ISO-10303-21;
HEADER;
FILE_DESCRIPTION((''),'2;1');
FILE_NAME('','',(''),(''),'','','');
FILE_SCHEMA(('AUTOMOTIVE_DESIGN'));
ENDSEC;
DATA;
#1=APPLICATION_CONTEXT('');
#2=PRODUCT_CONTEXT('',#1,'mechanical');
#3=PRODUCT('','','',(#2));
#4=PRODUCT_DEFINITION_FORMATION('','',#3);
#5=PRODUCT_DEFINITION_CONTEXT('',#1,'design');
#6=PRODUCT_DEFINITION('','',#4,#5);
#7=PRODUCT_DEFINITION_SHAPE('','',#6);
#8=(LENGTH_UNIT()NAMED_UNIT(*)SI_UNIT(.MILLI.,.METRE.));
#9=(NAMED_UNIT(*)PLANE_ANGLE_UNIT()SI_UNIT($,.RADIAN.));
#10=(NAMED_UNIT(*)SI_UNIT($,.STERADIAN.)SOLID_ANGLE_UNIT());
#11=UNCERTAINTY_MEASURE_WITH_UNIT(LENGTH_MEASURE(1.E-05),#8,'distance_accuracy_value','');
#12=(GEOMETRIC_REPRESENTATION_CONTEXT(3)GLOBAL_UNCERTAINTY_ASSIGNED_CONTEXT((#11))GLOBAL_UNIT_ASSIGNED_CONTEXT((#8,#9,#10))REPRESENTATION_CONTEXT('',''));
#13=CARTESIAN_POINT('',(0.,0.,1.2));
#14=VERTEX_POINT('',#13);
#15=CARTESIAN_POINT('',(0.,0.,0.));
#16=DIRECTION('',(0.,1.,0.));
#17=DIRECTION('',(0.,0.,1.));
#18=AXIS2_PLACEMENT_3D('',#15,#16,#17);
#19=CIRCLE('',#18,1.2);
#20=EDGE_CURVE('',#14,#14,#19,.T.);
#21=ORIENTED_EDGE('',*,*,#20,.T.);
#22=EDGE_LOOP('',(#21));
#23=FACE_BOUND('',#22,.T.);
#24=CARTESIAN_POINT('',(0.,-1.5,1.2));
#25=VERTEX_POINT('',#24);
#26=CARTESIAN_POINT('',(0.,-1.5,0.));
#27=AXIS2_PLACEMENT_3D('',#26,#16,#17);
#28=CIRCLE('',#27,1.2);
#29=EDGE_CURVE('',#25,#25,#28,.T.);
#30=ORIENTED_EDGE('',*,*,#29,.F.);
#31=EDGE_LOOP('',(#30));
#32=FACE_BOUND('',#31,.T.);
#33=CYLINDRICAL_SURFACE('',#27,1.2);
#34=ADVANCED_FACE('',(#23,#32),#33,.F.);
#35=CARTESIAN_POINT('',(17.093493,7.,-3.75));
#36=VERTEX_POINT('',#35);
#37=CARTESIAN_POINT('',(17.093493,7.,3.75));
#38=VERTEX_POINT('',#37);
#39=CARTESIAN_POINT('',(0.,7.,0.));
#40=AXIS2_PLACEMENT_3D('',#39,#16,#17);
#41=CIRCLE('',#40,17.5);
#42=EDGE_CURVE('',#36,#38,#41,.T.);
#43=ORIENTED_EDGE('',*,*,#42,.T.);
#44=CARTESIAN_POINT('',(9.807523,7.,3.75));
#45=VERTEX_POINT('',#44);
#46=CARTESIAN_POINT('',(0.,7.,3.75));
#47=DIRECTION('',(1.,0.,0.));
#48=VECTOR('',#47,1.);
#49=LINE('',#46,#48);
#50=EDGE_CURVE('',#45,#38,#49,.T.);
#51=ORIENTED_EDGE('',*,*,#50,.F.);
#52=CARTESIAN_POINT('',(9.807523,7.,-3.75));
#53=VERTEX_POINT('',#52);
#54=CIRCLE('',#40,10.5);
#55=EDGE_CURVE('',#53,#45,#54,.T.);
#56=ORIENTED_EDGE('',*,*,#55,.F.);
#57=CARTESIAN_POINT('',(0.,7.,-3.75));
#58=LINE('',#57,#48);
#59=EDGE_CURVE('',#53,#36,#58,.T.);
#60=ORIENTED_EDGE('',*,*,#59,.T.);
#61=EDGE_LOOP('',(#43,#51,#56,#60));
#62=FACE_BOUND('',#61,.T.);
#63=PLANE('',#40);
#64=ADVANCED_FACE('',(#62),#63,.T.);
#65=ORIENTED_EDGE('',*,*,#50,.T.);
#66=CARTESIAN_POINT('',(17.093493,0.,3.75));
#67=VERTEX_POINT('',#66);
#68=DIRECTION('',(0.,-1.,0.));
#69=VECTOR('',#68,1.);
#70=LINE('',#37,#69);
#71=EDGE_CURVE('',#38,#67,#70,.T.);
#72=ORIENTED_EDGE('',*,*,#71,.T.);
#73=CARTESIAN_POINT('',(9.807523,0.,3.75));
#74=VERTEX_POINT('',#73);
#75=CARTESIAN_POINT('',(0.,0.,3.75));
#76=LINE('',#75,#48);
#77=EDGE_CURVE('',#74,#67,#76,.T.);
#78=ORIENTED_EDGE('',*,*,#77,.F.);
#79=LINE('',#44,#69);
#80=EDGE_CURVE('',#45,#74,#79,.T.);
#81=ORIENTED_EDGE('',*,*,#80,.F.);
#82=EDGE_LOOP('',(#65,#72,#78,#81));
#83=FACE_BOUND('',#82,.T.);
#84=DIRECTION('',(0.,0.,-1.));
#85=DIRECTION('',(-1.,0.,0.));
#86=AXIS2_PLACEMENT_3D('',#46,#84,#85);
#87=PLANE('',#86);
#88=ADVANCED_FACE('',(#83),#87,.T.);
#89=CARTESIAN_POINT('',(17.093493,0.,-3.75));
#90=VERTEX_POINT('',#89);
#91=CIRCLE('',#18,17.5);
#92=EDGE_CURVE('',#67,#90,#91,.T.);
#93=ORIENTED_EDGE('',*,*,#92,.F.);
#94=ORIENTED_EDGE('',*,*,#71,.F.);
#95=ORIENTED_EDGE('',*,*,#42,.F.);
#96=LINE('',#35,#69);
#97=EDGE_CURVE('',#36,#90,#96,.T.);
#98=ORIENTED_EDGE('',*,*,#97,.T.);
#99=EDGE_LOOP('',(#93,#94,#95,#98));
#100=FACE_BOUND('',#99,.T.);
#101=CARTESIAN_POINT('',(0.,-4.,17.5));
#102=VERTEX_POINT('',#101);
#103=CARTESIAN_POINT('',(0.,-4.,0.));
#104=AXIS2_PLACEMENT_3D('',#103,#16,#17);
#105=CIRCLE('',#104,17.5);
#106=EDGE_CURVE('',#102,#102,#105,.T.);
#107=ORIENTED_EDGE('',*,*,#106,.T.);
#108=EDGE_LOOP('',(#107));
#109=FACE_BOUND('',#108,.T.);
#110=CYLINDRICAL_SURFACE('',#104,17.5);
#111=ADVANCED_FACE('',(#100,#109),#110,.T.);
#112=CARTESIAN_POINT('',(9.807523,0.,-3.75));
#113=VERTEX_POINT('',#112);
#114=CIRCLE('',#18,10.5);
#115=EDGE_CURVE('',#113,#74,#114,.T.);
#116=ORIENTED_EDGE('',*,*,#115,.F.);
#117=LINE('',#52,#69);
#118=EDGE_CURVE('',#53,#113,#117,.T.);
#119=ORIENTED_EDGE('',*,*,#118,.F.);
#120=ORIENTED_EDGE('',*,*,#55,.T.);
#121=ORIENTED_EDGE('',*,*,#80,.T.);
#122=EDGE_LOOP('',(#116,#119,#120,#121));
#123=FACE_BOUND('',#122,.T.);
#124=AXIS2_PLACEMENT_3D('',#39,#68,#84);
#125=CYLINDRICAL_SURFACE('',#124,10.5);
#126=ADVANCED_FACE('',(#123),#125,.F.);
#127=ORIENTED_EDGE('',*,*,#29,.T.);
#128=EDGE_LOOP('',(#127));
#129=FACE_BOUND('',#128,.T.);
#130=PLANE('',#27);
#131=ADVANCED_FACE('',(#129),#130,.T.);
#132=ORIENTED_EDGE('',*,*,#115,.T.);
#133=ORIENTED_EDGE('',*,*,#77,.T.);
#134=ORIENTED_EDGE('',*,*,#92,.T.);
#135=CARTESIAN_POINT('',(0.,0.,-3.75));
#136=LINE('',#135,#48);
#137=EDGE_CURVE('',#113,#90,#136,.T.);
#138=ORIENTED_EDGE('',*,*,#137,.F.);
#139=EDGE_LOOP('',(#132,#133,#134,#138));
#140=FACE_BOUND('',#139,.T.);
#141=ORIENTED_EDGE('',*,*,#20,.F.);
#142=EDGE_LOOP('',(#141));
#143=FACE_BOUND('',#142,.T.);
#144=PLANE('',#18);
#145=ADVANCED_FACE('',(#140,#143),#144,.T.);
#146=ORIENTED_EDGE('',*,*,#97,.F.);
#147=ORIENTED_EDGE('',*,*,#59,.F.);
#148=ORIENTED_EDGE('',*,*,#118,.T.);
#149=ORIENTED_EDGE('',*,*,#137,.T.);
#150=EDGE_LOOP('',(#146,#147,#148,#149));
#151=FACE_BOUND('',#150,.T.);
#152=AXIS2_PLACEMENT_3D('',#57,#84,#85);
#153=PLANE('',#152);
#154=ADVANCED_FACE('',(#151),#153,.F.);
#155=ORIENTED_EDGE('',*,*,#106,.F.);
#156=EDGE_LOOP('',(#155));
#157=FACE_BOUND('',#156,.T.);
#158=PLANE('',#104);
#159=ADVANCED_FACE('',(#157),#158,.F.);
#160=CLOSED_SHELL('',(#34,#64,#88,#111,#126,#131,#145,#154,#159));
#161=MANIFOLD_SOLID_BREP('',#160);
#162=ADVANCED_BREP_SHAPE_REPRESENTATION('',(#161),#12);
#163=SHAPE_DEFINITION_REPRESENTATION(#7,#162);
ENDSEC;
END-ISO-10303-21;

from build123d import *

# Parameters (mm, degrees)
SKETCH2_R           = 17.5
BOSS_EXTRUDE1_DEPTH = 4
BOSS_EXTRUDE2_START = 7
BOSS_EXTRUDE2_DEPTH = 7
SKETCH2_4_R         = 1.2
CUT_EXTRUDE1_DEPTH  = 1.5


with BuildPart() as part:
    # Sketch2 → Boss-Extrude1 (new body)
    with BuildSketch(Plane(origin=(0, 0, 0), x_dir=(1, 0, 0), z_dir=(0, 1, 0))):
        Circle(SKETCH2_R)
    extrude(amount=-BOSS_EXTRUDE1_DEPTH)

    # Sketch2<3> → Boss-Extrude2 (add)
    with BuildSketch(Plane(origin=(0, 0, 0), x_dir=(1, 0, 0), z_dir=(0, 1, 0)).offset(BOSS_EXTRUDE2_START)):
        with BuildLine():
            Line((17.093492914, -3.75), (9.807522623, -3.75))
            ThreePointArc((9.807522623, -3.75), (-10.5, 0), (9.807522623, 3.75))
            Line((9.807522623, 3.75), (17.093492914, 3.75))
            ThreePointArc((17.093492914, 3.75), (-17.5, 0), (17.093492914, -3.75))
        make_face()
    extrude(amount=-BOSS_EXTRUDE2_DEPTH)

    # Sketch2<4> → Cut-Extrude1 (cut)
    with BuildSketch(Plane(origin=(0, 0, 0), x_dir=(1, 0, 0), z_dir=(0, 1, 0))):
        Circle(SKETCH2_4_R)
    extrude(amount=-CUT_EXTRUDE1_DEPTH, mode=Mode.SUBTRACT)


solid = part.part
